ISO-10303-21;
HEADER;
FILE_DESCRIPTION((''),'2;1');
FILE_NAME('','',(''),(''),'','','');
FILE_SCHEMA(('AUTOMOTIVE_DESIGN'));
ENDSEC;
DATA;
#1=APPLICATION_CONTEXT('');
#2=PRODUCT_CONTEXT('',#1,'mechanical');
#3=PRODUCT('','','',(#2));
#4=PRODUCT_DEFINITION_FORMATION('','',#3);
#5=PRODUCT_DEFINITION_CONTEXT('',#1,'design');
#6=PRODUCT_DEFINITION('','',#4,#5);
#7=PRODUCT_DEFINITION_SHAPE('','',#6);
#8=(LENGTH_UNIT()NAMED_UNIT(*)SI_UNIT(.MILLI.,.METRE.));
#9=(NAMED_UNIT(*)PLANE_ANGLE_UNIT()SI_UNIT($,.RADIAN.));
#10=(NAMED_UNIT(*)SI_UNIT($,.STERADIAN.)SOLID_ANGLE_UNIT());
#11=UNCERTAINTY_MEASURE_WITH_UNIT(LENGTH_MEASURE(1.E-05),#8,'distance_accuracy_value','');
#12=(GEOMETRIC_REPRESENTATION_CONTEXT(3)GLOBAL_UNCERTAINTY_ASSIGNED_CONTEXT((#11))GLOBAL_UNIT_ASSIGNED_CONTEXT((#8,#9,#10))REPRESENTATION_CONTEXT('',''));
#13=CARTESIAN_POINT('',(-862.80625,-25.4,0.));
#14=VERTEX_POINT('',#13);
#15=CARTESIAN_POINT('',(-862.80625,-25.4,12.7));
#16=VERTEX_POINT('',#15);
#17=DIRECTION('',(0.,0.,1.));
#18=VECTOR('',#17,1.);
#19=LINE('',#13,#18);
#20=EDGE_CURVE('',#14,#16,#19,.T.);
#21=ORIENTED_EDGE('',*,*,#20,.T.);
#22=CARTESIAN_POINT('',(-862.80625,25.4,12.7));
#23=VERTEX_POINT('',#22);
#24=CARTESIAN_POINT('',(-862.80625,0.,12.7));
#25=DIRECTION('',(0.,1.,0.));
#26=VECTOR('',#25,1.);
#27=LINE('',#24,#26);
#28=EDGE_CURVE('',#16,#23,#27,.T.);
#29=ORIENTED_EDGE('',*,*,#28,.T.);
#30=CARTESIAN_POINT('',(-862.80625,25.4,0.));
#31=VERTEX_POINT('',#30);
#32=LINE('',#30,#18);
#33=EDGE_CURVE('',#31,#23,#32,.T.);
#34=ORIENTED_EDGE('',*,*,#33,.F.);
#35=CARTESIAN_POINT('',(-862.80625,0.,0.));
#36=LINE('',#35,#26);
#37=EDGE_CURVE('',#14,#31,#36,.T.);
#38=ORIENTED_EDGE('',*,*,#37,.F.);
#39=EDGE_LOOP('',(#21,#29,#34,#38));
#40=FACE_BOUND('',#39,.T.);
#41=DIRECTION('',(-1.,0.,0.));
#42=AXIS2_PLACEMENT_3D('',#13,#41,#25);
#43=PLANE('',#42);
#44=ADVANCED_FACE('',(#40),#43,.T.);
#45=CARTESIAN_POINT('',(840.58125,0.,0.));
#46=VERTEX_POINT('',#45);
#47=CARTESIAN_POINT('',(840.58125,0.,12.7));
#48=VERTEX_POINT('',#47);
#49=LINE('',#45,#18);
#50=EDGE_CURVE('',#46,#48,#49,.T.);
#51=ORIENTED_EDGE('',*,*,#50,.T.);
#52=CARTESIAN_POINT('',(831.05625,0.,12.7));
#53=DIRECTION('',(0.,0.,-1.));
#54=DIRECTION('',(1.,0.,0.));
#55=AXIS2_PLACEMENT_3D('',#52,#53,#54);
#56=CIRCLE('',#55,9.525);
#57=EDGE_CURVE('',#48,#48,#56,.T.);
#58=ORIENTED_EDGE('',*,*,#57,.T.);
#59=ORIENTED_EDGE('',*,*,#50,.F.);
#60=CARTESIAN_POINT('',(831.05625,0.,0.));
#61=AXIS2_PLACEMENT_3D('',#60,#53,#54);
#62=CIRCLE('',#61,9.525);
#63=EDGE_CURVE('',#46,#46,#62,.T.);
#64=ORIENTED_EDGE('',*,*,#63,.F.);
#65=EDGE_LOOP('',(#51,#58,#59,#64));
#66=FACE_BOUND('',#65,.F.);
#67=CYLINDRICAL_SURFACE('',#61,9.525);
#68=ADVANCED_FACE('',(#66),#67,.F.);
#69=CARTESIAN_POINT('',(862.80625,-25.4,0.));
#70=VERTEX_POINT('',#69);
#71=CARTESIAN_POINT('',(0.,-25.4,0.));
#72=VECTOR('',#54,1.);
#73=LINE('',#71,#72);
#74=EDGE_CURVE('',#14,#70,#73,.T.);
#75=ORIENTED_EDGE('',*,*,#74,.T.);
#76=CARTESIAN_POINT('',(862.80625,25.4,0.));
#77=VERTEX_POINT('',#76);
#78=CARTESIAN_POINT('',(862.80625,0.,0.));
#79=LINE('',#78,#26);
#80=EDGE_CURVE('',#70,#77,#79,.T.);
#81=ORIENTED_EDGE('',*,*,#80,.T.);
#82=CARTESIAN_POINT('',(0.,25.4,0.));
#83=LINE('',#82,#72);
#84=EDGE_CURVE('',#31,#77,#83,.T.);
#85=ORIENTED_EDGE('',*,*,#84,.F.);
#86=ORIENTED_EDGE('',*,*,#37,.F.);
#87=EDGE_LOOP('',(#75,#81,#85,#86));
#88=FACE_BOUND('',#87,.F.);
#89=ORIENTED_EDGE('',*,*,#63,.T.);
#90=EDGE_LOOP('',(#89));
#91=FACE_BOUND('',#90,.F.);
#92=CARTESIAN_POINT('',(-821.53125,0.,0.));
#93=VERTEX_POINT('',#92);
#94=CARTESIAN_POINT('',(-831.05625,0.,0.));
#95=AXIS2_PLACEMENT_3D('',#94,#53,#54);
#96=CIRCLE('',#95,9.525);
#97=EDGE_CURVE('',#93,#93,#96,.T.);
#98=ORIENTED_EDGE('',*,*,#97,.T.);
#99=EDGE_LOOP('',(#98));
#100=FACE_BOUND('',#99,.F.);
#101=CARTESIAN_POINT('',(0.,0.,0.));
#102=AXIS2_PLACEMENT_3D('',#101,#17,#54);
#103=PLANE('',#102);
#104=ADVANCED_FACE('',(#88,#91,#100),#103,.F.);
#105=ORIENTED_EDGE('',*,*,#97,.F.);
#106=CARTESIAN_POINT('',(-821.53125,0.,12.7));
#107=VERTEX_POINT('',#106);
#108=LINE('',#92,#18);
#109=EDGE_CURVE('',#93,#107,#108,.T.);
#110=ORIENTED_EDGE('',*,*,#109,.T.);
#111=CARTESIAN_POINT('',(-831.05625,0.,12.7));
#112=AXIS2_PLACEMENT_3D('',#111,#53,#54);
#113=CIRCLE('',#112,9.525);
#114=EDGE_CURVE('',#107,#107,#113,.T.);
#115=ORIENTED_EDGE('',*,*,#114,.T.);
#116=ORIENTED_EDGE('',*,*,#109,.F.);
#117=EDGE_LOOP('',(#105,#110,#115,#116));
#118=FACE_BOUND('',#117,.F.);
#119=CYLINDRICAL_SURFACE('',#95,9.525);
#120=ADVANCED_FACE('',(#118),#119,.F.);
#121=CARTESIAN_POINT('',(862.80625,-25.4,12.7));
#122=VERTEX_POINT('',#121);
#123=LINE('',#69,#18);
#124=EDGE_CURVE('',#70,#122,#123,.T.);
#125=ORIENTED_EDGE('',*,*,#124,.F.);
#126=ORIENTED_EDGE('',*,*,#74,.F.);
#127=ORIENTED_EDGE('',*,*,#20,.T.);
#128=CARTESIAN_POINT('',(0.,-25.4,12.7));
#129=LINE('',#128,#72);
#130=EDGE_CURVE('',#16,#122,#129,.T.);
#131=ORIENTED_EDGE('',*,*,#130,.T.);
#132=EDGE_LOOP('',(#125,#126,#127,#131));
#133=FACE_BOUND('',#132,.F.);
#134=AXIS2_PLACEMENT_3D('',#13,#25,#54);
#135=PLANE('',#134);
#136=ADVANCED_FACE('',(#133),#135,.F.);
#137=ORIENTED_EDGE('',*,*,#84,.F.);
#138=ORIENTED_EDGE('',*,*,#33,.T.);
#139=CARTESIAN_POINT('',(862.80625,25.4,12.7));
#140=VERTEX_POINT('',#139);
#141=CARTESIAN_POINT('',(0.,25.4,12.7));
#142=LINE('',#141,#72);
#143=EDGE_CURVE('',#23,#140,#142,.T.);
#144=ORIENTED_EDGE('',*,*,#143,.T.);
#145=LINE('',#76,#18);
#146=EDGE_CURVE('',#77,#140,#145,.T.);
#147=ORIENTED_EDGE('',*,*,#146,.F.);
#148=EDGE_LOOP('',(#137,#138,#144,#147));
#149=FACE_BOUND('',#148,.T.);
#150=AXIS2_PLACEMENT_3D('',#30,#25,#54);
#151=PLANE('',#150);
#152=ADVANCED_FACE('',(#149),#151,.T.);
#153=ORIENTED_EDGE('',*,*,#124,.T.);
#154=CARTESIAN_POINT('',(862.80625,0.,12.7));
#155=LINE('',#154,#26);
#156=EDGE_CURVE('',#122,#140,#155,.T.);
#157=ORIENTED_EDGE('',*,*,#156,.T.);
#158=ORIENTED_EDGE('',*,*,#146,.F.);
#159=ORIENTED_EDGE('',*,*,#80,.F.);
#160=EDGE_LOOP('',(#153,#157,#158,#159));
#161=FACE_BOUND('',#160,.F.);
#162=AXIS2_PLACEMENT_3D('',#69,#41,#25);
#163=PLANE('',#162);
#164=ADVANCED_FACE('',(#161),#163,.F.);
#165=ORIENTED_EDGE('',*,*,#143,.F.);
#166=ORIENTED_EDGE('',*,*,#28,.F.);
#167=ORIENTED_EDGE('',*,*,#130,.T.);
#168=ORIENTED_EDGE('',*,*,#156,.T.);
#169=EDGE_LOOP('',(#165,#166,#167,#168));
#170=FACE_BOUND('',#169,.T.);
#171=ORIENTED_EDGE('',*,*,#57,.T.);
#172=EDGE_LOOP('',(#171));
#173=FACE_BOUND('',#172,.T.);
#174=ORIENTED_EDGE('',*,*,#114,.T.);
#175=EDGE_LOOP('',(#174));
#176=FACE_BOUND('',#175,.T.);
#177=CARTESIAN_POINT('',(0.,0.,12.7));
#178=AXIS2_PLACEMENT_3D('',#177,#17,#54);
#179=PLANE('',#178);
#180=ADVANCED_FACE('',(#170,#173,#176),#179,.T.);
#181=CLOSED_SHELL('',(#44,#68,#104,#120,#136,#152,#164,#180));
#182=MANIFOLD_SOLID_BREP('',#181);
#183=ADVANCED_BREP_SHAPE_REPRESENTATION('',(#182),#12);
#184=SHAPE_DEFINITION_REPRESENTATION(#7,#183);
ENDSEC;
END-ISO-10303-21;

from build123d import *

# Parameters (mm, degrees)
F0_W     = 1725.6125
F0_H     = 50.8
F1_DEPTH = 12.7
F2_R     = 9.525
F3_DEPTH = 25.4


with BuildPart() as f1:
    # F0 (on Top) → F1 (new body)
    with BuildSketch(Plane.XY):
        Rectangle(F0_W, F0_H)
    extrude(amount=F1_DEPTH)

    # F2 (on face) → F3 (cut)
    with BuildSketch(Plane(origin=(0, 0, 0), x_dir=(1, 0, 0), z_dir=(0, 0, -1))):
        with Locations((-831.05625, 0)):
            Circle(F2_R)
        with Locations((831.05625, 0)):
            Circle(F2_R)
    extrude(amount=-F3_DEPTH, mode=Mode.SUBTRACT)


solid = f1.part
